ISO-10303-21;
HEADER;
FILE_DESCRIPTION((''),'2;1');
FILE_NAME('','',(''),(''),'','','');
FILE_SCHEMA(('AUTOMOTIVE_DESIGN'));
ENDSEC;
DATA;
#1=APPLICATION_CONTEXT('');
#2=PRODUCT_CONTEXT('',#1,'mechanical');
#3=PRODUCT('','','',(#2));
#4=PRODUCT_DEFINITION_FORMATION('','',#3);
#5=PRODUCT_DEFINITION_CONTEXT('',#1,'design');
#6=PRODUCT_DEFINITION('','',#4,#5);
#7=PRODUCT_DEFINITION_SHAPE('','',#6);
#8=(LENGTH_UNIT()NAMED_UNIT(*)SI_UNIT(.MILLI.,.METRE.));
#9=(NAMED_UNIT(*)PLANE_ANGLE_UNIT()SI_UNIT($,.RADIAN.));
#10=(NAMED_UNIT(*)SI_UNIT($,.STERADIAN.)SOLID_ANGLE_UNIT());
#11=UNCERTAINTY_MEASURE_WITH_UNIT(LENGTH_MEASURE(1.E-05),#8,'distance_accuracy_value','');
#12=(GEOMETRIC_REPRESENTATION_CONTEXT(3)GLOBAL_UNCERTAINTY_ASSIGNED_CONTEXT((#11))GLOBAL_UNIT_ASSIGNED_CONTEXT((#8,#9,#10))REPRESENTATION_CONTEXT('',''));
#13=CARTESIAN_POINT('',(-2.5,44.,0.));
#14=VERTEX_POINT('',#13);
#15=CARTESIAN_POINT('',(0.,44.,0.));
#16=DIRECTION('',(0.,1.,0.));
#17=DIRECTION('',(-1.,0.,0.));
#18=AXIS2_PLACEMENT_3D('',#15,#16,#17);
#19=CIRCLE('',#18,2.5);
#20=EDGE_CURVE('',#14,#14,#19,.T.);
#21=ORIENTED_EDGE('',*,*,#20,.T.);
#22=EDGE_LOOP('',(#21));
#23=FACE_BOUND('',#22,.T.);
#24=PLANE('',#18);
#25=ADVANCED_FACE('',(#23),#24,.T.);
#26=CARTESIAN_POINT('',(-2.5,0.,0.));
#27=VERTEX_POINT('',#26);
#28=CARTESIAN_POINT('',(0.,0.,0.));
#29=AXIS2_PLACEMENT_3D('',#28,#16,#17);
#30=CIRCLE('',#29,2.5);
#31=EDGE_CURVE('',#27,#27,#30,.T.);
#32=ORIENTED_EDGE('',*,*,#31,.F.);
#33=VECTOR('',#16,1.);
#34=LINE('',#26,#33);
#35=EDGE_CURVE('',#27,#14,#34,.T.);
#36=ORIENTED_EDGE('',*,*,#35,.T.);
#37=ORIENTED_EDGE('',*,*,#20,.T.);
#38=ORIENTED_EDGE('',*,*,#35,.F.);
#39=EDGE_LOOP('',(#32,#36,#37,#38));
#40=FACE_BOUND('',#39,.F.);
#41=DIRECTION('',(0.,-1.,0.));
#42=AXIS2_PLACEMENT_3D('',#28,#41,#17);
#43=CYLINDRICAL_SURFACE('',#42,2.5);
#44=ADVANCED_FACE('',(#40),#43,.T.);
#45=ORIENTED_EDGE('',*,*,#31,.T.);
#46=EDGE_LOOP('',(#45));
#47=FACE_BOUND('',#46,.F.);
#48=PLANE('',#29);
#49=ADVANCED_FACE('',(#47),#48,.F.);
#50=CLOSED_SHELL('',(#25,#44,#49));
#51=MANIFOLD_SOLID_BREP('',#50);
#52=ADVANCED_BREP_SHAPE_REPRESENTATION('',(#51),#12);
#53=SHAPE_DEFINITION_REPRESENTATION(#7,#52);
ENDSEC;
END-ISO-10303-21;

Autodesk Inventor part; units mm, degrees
ref_plane "YZ Plane" through (0, 0, 0) normal (1, 0, 0) x (0, 1, 0)
ref_plane "XZ Plane" through (0, 0, 0) normal (0, 1, 0) x (-1, 0, 0)
ref_plane "XY Plane" through (0, 0, 0) normal (0, 0, 1) x (1, 0, 0)
sketch "Szkic1" plane through (0, 0, 0) normal (0, 1, 0) x (-1, 0, 0)
  circle A0 centre (0, 0) radius 2.5
  dimension "d0" = 5
extrude "Wyciągnięcie proste1" add sketch "Szkic1" along normal blind 44
properties part number "kołek" material "Stal nierdzewna"
